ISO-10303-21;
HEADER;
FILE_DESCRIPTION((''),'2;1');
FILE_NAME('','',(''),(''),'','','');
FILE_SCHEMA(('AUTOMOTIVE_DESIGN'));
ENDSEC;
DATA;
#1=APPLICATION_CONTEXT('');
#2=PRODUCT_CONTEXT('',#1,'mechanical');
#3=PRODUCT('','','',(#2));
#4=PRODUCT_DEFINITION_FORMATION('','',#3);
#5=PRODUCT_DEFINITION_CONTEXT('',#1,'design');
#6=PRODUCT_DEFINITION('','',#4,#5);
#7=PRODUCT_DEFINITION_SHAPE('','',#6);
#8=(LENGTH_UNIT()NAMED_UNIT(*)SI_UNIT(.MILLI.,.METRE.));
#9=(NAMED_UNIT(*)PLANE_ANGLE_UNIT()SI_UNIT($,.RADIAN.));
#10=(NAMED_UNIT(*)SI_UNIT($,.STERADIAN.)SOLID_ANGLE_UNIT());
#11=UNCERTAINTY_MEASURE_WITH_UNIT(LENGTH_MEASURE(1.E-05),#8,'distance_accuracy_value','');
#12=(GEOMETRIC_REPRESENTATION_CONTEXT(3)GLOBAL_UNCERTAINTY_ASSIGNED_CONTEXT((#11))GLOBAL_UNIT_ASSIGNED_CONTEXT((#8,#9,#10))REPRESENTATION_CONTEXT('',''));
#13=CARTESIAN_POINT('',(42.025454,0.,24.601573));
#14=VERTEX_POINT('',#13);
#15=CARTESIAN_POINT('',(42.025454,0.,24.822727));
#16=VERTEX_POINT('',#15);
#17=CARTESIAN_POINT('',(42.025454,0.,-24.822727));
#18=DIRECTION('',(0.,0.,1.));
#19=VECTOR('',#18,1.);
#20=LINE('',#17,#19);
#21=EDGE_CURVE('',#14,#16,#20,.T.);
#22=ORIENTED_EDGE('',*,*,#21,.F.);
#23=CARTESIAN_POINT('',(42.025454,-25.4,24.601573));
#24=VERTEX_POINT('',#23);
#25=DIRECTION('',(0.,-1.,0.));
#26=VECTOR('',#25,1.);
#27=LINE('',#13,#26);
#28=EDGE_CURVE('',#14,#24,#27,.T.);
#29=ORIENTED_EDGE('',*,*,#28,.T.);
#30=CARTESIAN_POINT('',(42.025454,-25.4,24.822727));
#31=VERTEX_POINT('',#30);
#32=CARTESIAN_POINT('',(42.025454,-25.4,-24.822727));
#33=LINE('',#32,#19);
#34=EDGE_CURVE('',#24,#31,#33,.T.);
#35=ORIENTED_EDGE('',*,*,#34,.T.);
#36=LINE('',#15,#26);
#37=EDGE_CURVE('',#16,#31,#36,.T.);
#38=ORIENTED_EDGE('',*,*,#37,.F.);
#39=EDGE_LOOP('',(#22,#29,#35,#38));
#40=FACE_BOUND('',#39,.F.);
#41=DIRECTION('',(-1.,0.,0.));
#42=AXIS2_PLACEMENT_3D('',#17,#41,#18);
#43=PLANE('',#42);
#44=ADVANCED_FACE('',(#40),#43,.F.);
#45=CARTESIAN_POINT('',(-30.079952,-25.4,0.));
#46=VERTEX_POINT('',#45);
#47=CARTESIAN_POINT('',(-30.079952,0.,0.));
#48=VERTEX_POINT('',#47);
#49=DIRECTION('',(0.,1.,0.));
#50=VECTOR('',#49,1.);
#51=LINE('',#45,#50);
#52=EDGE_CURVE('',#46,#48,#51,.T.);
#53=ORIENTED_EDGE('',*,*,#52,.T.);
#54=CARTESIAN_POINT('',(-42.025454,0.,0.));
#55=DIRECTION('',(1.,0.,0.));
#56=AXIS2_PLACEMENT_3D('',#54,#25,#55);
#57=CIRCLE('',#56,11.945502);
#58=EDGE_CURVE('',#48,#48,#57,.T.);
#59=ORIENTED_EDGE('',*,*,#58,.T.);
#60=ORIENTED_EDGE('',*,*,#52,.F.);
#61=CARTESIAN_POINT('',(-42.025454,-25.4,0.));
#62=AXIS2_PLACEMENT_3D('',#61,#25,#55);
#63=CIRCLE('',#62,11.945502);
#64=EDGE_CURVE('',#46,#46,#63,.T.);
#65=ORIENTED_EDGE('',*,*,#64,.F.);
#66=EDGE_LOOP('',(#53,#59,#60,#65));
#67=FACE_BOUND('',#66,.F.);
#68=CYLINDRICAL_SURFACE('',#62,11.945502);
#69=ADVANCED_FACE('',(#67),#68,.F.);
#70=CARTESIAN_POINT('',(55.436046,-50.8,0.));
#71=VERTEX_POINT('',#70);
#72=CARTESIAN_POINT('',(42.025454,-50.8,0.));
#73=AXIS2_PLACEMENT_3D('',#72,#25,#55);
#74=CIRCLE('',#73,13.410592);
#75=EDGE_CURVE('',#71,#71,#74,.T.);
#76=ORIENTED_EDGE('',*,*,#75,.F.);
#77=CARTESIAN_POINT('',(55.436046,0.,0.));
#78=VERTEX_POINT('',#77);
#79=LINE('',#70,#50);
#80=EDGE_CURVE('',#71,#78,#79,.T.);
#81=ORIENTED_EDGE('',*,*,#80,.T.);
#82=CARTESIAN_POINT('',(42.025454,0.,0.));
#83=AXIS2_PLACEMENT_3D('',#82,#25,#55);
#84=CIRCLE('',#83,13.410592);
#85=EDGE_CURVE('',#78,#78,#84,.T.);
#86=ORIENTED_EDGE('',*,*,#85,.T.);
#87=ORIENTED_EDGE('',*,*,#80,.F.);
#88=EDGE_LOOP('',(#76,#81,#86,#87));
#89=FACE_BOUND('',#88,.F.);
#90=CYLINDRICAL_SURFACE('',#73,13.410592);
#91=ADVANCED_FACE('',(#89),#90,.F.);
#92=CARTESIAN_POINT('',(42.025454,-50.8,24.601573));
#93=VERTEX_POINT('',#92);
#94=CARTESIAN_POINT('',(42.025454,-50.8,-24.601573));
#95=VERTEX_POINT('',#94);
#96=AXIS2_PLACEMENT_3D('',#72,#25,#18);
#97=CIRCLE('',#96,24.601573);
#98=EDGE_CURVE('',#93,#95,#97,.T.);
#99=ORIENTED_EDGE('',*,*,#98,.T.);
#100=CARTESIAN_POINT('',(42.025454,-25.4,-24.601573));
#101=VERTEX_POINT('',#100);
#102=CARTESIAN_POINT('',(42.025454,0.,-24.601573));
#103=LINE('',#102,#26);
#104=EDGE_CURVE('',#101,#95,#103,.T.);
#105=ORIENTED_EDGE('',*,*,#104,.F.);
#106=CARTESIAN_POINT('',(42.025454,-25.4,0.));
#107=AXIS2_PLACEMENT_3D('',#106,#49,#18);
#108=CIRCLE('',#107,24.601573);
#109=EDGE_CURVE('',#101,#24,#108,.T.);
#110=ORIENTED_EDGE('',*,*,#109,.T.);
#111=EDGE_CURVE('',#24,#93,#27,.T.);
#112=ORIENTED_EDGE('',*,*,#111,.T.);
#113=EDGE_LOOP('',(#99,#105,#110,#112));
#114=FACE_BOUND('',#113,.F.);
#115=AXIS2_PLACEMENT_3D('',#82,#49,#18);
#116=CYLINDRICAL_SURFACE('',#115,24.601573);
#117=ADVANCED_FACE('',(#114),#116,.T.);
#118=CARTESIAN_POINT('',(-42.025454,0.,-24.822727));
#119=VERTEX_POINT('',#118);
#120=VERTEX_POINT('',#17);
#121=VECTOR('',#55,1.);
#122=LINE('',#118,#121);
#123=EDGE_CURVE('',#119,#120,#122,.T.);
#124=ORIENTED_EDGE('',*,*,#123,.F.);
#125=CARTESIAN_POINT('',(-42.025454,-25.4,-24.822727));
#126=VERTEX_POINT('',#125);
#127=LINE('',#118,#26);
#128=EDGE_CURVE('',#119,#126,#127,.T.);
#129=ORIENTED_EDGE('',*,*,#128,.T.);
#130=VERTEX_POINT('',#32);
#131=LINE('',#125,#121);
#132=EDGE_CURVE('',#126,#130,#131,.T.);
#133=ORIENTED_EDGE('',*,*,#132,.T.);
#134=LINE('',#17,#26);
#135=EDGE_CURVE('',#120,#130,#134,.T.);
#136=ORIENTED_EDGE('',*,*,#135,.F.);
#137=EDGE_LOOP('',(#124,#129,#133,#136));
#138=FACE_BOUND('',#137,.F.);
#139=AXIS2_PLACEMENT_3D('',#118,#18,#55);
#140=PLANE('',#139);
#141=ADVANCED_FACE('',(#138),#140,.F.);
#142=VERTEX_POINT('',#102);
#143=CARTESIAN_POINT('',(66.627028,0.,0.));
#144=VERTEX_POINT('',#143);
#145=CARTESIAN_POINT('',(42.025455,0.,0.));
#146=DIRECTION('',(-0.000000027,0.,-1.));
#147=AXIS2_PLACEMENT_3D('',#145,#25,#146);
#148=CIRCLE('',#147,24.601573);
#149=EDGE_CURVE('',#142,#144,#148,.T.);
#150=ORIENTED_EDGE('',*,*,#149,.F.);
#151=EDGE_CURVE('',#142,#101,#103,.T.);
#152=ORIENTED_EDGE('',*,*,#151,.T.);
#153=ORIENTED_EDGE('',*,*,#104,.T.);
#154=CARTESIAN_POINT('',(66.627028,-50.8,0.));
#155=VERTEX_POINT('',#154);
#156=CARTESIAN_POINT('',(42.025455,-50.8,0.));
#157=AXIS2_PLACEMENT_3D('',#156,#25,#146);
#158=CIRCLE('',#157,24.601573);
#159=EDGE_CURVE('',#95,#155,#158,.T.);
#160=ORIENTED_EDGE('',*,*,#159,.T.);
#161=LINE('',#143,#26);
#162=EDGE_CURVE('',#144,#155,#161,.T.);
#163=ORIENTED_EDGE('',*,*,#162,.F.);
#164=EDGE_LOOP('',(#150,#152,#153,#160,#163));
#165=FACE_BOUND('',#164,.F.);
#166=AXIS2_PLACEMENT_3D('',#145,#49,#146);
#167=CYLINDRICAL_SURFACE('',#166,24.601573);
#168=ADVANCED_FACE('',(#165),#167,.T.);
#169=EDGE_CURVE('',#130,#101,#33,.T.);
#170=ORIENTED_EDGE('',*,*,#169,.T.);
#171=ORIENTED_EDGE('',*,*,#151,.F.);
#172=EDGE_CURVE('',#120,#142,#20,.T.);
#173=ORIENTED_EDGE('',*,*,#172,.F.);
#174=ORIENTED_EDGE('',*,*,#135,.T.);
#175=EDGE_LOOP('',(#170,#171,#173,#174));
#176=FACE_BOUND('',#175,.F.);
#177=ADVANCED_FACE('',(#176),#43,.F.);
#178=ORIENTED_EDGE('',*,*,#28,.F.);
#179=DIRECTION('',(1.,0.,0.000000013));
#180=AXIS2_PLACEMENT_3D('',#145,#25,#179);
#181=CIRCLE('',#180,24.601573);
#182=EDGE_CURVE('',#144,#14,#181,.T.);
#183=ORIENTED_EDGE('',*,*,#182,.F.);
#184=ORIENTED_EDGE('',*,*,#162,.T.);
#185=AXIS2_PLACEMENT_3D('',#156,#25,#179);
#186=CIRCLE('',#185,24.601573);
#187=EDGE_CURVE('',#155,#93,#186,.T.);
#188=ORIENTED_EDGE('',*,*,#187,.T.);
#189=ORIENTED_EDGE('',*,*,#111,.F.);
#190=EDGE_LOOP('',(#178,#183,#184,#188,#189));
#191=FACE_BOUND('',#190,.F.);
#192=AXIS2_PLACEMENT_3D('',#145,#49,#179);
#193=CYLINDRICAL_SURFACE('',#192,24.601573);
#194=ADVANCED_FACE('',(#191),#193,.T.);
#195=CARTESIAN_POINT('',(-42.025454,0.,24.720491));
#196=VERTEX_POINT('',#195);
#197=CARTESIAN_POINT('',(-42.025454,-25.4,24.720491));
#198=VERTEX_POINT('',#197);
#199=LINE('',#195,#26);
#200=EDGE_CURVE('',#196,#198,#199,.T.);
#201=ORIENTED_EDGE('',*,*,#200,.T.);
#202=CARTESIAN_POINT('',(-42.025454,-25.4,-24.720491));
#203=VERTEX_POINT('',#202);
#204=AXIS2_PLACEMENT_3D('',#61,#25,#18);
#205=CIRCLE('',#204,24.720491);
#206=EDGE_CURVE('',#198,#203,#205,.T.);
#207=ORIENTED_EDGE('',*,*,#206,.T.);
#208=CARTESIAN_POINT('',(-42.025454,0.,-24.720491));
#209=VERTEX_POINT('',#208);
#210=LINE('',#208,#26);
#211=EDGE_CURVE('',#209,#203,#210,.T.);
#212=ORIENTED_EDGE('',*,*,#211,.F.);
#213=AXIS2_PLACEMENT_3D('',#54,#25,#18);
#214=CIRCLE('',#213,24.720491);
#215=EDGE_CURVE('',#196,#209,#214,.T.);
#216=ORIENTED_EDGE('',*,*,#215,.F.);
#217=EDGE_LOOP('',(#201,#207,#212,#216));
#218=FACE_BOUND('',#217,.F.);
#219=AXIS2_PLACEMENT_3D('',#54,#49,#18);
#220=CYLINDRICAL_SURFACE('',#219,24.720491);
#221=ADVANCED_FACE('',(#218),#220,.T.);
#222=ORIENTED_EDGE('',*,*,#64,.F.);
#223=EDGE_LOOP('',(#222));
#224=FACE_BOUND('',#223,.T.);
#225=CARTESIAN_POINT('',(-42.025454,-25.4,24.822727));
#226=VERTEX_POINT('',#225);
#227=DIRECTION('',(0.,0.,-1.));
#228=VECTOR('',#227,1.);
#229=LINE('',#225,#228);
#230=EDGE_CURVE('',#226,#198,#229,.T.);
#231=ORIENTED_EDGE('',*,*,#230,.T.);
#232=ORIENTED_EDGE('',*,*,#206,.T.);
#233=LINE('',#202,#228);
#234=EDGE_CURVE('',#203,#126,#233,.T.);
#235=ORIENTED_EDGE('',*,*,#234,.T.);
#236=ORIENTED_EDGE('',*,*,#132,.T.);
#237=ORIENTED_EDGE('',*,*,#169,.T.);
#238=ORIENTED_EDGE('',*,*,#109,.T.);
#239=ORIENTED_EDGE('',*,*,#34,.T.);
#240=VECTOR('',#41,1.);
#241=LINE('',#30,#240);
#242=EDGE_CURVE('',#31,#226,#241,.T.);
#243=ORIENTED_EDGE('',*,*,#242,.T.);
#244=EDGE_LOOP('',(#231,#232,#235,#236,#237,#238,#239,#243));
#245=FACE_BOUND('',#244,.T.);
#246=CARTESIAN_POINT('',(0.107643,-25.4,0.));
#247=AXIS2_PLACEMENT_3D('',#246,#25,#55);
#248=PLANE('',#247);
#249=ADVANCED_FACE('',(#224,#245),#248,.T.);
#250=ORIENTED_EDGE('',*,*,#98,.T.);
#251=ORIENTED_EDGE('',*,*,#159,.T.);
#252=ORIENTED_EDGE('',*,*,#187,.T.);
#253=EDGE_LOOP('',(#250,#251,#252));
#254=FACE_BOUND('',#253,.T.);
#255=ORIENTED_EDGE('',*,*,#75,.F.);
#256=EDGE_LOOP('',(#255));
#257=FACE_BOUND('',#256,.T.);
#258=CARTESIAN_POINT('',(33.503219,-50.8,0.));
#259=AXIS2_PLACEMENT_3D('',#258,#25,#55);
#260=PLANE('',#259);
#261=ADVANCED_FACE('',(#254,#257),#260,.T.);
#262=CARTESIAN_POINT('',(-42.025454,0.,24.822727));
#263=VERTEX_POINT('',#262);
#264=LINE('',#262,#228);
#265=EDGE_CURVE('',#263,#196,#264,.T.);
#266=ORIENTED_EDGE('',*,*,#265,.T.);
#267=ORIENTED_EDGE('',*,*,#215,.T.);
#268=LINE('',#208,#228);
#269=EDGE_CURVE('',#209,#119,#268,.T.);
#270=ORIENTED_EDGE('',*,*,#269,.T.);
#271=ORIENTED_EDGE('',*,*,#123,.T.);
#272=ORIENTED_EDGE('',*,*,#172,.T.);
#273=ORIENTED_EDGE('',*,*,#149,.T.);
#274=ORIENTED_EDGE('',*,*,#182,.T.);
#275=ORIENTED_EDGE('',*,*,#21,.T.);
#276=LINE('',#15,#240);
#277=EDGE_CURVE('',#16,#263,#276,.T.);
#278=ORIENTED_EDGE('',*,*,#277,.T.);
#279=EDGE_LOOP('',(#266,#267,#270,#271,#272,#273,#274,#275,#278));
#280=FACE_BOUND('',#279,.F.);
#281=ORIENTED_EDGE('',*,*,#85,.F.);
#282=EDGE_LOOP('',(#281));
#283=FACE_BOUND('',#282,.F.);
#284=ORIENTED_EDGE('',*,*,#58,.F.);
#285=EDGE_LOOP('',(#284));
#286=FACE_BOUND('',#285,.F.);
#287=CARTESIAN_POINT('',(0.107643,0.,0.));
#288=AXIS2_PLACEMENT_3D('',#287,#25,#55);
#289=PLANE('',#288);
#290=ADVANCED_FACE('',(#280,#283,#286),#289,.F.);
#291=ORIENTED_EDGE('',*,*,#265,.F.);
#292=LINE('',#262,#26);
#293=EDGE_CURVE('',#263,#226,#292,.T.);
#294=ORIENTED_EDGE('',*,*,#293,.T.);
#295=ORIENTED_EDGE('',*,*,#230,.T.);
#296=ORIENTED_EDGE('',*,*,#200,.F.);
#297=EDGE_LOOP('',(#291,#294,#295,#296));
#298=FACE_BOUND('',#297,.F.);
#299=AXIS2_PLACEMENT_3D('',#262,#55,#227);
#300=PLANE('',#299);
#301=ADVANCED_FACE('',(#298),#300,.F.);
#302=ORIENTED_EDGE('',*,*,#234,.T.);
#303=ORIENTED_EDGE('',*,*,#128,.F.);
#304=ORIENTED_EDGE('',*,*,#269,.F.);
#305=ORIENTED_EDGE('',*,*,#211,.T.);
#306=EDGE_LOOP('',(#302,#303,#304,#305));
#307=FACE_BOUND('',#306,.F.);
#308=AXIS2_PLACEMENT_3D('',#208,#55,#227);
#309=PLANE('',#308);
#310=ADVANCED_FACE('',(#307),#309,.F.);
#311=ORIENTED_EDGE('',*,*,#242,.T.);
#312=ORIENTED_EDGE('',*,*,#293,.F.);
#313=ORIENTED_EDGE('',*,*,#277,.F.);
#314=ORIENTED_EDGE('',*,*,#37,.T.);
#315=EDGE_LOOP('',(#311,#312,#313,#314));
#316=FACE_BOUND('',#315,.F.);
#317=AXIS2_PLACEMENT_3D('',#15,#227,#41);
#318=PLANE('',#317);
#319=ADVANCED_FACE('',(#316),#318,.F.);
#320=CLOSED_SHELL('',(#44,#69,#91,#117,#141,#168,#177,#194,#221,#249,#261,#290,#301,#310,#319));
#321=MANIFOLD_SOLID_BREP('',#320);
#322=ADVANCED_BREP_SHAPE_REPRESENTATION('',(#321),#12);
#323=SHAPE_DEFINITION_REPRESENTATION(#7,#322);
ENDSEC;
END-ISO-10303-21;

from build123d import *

# Parameters (mm, degrees)
F3_DEPTH = 50.8
F4_DEPTH = 25.4
F5_R     = 11.945502
F6_DEPTH = 25.401
F7_R     = 13.410592
F8_DEPTH = 50.801


with BuildPart() as f3:
    # F2 (on face) → F3 (new body)
    with BuildSketch(Plane.XZ):
        with BuildLine():
            Line((42.025454, -24.601573), (42.025454, 24.601573))
            ThreePointArc((42.025454, 24.601573), (17.423881, 0), (42.025454, -24.601573))
        make_face()
        with BuildLine():
            ThreePointArc((42.025454, -24.601573), (59.421394, -17.395939), (66.627028, 0))
            ThreePointArc((66.627028, 0), (59.421394, 17.395939), (42.025454, 24.601573))
            Line((42.025454, 24.601573), (42.025454, -24.601573))
        make_face()
    extrude(amount=F3_DEPTH)

    # F1 (on face) → F4 (join)
    with BuildSketch(Plane.XZ):
        with BuildLine():
            ThreePointArc((-42.025454, 24.720491), (-24.545428, 17.480027), (-17.304963, 0))
            ThreePointArc((-17.304963, 0), (-24.545428, -17.480027), (-42.025454, -24.720491))
            Line((-42.025454, -24.720491), (-42.025454, -24.822727))
            Line((-42.025454, -24.822727), (42.025454, -24.822727))
            Line((42.025454, -24.822727), (42.025454, 24.822727))
            Line((42.025454, 24.822727), (-42.025454, 24.822727))
            Line((-42.025454, 24.822727), (-42.025454, 24.720491))
        make_face()
        with BuildLine():
            Line((-42.025454, -24.720491), (-42.025454, 24.720491))
            ThreePointArc((-42.025454, 24.720491), (-66.745945, 0), (-42.025454, -24.720491))
        make_face()
        with BuildLine():
            ThreePointArc((-42.025454, -24.720491), (-24.545428, -17.480027), (-17.304963, 0))
            ThreePointArc((-17.304963, 0), (-24.545428, 17.480027), (-42.025454, 24.720491))
            Line((-42.025454, 24.720491), (-42.025454, -24.720491))
        make_face()
    extrude(amount=F4_DEPTH)

    # F5 (on face) → F6 (cut, through all)
    with BuildSketch(Plane.XZ.offset(25.4)):
        with Locations((-42.025454, 0)):
            Circle(F5_R)
    extrude(amount=-F6_DEPTH, mode=Mode.SUBTRACT)

    # F7 (on face) → F8 (cut, through all)
    with BuildSketch(Plane.XZ.offset(50.8)):
        with Locations((42.025454, 0)):
            Circle(F7_R)
    extrude(amount=-F8_DEPTH, mode=Mode.SUBTRACT)


solid = f3.part
